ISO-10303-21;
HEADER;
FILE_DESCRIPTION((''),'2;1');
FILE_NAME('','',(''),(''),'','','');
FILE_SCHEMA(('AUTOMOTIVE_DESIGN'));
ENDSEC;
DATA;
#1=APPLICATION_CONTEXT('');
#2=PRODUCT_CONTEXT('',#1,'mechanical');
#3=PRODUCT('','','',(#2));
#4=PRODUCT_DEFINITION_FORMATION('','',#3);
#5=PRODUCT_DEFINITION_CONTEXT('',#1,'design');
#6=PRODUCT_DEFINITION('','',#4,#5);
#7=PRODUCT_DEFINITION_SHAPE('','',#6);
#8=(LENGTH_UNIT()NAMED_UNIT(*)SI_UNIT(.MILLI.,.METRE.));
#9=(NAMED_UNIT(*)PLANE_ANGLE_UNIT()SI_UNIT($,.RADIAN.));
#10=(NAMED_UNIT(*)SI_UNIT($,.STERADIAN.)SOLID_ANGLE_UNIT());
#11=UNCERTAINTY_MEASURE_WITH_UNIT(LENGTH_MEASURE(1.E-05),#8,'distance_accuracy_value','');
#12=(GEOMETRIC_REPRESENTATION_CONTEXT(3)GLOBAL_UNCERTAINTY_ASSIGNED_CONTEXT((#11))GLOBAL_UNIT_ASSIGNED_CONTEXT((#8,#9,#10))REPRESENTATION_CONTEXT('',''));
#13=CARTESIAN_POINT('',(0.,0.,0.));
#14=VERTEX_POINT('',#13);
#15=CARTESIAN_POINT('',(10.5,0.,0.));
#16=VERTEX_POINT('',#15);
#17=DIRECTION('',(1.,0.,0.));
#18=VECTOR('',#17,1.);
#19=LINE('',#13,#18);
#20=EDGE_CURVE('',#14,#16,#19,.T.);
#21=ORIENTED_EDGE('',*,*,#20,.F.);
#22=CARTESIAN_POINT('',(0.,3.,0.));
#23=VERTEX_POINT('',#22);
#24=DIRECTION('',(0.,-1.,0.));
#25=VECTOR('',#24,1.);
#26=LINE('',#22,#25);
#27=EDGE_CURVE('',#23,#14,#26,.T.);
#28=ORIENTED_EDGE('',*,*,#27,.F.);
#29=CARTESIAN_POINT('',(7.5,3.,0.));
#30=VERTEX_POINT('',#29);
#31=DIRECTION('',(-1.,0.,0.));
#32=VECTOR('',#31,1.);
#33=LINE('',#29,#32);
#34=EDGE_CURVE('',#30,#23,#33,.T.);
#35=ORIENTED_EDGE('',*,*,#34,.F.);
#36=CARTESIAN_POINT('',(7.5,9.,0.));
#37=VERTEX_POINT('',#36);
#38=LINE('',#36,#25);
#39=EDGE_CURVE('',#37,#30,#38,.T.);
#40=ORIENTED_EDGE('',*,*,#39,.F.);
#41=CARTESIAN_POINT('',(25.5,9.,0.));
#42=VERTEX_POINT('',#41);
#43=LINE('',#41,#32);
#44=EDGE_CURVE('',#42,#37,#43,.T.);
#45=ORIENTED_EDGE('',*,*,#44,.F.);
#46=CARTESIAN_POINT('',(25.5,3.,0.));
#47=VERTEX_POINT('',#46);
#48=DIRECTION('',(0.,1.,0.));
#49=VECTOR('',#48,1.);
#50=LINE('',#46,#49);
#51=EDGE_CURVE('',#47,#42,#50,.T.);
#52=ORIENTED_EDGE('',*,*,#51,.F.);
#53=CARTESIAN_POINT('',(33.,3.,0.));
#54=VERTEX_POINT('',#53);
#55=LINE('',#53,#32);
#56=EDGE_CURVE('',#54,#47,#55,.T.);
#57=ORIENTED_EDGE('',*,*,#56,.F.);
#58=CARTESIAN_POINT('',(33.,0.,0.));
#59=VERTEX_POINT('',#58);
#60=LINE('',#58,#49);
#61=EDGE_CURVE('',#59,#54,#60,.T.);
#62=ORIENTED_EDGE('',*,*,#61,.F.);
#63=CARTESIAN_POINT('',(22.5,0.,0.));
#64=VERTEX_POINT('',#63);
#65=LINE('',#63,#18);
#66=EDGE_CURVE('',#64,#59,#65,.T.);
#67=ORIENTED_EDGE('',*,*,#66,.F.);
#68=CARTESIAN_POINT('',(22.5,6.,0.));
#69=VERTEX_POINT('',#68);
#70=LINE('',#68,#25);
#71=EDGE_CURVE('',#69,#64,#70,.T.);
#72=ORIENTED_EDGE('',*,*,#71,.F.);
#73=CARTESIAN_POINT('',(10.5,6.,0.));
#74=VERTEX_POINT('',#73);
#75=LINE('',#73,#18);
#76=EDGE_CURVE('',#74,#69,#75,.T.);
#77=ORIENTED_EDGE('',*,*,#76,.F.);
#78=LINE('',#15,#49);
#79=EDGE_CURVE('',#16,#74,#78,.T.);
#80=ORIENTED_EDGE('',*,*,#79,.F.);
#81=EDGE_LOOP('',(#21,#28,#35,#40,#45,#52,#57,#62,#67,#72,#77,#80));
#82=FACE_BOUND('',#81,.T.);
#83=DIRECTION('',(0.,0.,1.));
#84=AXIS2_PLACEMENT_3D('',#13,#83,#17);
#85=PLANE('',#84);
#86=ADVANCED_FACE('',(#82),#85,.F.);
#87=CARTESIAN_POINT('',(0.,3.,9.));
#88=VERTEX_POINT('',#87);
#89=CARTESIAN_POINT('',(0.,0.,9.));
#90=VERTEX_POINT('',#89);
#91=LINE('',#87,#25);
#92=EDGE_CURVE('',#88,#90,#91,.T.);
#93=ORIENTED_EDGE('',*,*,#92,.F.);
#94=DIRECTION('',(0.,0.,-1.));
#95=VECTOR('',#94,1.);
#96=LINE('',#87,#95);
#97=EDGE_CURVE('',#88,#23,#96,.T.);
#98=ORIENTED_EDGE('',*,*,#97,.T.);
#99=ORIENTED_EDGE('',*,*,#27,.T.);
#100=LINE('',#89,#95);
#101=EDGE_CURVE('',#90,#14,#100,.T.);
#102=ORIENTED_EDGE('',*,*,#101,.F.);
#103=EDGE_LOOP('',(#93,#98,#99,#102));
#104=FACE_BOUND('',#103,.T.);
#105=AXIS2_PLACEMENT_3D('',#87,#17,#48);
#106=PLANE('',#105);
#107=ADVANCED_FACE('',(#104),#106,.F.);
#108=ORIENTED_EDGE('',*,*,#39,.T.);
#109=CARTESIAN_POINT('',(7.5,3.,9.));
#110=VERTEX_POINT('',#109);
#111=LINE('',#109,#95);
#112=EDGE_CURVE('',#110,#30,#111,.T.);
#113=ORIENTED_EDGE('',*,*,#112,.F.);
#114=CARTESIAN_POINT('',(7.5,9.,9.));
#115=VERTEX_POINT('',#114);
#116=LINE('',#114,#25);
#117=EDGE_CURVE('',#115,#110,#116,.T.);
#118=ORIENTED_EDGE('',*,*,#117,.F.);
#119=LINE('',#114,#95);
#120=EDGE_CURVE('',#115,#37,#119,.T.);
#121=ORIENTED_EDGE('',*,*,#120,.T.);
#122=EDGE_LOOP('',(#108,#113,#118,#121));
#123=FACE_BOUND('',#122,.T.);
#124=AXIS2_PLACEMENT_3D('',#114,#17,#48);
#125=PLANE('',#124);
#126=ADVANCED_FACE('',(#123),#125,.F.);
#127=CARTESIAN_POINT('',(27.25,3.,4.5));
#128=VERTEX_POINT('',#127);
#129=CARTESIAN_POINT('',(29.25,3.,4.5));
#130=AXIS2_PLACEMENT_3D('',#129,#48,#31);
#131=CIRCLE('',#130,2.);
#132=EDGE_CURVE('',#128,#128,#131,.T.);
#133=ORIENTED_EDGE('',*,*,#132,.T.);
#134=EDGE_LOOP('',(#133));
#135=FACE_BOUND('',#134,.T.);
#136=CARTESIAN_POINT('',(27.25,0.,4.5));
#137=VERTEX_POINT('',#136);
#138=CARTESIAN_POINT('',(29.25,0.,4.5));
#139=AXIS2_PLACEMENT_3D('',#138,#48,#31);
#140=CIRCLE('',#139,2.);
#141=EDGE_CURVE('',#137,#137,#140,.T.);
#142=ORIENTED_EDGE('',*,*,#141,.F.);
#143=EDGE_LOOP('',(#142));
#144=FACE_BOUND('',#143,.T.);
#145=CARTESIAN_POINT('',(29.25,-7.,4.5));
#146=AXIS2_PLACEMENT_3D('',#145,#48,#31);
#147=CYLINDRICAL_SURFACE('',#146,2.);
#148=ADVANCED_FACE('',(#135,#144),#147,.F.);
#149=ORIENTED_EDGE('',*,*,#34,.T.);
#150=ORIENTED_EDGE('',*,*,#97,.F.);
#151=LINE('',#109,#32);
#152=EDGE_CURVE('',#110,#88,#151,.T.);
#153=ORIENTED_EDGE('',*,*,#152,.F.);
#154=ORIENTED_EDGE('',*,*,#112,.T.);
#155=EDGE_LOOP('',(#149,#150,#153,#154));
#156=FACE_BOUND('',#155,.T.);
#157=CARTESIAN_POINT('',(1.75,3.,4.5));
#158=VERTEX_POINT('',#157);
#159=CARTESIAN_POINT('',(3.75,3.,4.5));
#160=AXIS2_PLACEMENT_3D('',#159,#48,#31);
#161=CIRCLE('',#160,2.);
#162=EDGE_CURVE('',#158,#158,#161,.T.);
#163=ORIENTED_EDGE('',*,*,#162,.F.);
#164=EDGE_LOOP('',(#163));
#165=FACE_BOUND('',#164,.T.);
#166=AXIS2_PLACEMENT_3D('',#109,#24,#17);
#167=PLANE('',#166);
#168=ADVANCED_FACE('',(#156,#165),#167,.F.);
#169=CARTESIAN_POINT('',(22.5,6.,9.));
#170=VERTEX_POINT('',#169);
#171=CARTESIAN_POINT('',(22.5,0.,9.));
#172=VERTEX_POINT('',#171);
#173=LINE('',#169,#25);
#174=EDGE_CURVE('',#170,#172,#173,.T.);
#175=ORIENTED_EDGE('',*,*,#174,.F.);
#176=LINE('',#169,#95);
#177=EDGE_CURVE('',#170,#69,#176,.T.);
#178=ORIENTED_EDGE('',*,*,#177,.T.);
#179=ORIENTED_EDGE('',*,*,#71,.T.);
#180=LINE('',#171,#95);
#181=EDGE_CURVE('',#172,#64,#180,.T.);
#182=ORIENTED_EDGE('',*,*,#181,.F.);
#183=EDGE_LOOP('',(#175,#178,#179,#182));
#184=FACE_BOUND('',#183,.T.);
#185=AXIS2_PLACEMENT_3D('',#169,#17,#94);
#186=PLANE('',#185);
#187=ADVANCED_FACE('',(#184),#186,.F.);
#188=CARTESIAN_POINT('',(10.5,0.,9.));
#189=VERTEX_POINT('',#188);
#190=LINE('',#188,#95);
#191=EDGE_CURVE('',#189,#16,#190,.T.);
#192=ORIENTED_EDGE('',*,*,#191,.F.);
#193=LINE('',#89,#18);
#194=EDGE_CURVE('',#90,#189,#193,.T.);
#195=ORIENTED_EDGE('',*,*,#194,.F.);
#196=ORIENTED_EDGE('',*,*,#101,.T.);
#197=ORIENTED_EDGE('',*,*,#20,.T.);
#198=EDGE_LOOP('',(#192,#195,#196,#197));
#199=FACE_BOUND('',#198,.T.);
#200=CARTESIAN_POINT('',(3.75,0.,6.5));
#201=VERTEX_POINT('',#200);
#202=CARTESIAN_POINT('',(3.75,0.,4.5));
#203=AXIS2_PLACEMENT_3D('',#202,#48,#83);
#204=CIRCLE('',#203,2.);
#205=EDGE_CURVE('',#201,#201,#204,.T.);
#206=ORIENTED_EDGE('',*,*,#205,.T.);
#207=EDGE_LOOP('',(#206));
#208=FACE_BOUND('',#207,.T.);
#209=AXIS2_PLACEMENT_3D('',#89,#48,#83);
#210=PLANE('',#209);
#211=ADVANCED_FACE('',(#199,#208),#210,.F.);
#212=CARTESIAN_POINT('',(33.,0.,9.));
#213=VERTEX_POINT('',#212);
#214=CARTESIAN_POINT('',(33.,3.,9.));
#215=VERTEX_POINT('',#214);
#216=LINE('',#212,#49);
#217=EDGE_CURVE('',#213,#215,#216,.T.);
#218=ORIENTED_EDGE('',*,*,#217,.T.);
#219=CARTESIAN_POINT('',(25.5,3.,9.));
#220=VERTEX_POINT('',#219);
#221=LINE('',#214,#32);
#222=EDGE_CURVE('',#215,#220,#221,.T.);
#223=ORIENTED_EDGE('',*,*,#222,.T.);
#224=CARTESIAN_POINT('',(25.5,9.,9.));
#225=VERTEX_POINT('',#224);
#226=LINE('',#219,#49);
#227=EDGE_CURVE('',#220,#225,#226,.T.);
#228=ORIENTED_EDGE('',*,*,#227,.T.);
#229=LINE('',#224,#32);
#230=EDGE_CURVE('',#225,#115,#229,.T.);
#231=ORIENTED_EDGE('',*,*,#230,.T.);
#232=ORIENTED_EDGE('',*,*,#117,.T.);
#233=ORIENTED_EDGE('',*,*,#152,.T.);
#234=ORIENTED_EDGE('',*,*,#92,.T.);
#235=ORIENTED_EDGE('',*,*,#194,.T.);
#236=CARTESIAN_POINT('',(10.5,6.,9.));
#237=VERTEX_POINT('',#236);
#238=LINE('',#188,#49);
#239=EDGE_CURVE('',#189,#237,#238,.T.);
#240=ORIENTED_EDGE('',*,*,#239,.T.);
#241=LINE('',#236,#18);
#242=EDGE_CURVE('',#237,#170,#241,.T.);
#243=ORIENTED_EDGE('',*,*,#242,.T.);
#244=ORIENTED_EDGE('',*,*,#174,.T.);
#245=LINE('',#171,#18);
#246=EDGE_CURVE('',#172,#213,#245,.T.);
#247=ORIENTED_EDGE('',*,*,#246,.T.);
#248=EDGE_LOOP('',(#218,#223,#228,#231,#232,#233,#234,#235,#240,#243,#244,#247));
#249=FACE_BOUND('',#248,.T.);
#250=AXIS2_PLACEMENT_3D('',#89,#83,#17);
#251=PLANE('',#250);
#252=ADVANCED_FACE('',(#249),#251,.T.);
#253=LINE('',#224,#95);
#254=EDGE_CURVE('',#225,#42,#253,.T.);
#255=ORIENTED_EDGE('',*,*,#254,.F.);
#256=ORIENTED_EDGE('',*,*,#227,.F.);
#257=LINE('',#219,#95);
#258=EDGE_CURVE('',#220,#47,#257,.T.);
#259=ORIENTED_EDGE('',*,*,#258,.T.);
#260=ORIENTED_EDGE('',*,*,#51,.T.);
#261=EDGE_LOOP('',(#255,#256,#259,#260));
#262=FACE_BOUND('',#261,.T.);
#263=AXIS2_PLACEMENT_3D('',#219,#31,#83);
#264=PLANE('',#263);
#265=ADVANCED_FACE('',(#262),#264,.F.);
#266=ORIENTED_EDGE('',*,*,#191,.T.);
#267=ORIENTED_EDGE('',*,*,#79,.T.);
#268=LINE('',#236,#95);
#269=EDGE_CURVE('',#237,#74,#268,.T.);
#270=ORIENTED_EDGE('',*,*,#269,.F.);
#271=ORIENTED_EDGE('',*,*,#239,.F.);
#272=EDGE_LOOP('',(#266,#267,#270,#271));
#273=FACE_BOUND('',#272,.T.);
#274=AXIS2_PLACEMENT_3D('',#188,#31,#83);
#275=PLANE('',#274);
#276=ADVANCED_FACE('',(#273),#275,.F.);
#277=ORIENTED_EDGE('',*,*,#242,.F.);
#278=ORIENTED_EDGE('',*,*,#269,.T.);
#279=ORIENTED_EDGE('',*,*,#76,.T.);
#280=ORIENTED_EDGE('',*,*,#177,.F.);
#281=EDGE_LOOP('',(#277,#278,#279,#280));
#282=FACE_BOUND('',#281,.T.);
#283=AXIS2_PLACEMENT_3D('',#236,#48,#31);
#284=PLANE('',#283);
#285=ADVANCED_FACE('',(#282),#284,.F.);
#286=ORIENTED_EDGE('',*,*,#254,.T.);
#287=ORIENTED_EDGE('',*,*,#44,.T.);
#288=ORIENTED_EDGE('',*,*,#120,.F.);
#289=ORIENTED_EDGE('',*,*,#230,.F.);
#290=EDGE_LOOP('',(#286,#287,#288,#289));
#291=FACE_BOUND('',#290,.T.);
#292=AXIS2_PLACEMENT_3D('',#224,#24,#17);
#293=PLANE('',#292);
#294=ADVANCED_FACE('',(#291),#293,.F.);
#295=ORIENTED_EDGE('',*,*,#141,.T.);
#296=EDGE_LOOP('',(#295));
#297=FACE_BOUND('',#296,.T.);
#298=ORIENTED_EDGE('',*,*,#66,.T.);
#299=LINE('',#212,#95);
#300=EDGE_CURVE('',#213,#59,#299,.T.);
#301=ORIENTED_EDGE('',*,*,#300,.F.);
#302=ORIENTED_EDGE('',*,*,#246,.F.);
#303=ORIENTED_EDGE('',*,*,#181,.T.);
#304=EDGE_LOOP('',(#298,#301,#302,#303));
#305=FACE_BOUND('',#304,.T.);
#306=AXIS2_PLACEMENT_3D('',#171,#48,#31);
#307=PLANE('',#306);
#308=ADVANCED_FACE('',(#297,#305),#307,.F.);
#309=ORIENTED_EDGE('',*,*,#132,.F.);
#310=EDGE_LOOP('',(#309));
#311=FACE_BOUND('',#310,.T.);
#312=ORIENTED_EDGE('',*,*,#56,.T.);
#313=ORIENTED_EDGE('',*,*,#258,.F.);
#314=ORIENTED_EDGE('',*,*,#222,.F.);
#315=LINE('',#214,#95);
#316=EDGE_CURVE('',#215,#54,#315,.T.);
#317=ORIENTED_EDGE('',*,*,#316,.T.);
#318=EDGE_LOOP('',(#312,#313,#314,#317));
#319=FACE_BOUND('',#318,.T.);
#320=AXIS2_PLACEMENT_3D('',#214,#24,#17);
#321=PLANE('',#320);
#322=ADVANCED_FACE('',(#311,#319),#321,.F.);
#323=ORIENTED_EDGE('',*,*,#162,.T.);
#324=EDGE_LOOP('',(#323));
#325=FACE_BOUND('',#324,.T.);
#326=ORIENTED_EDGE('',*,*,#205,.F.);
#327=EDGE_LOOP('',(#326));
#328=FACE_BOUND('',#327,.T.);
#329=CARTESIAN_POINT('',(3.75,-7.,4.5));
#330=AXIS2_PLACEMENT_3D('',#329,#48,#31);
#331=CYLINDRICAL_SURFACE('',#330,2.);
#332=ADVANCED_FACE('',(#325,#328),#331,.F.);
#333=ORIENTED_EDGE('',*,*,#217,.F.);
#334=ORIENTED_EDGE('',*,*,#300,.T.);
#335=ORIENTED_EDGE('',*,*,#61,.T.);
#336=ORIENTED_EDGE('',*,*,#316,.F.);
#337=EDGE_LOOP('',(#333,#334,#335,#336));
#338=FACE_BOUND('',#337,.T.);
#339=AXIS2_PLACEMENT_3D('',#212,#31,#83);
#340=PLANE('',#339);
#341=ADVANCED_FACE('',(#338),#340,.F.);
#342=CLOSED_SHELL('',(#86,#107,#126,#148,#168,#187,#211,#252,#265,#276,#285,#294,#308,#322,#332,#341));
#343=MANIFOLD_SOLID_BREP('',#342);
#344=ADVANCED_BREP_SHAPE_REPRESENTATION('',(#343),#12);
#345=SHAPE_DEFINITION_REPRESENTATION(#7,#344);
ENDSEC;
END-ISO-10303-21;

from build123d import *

# Parameters (mm, degrees)
RESSALTO_EXTRUS_O1_DEPTH = 9
ESBO_O2_R                = 2
CORTE_EXTRUS_O1_DEPTH    = 10


with BuildPart() as part:
    # Esboço1 → Ressalto-extrusão1 (new body)
    with BuildSketch(Plane.XY):
        Polygon((0, 0), (10.5, 0), (10.5, 6), (22.5, 6), (22.5, 0), (33, 0), (33, 3), (25.5, 3), (25.5, 9), (7.5, 9), (7.5, 3), (0, 3), align=None)
    extrude(amount=RESSALTO_EXTRUS_O1_DEPTH)

    # Esboço2 → Corte-extrusão1 (cut)
    with BuildSketch(Plane(origin=(0, 3, 0), x_dir=(1, 0, 0), z_dir=(0, 1, 0))):
        with Locations((29.25, -4.5)):
            Circle(ESBO_O2_R)
        with Locations((3.75, -4.5)):
            Circle(ESBO_O2_R)
    extrude(amount=-CORTE_EXTRUS_O1_DEPTH, mode=Mode.SUBTRACT)


solid = part.part
